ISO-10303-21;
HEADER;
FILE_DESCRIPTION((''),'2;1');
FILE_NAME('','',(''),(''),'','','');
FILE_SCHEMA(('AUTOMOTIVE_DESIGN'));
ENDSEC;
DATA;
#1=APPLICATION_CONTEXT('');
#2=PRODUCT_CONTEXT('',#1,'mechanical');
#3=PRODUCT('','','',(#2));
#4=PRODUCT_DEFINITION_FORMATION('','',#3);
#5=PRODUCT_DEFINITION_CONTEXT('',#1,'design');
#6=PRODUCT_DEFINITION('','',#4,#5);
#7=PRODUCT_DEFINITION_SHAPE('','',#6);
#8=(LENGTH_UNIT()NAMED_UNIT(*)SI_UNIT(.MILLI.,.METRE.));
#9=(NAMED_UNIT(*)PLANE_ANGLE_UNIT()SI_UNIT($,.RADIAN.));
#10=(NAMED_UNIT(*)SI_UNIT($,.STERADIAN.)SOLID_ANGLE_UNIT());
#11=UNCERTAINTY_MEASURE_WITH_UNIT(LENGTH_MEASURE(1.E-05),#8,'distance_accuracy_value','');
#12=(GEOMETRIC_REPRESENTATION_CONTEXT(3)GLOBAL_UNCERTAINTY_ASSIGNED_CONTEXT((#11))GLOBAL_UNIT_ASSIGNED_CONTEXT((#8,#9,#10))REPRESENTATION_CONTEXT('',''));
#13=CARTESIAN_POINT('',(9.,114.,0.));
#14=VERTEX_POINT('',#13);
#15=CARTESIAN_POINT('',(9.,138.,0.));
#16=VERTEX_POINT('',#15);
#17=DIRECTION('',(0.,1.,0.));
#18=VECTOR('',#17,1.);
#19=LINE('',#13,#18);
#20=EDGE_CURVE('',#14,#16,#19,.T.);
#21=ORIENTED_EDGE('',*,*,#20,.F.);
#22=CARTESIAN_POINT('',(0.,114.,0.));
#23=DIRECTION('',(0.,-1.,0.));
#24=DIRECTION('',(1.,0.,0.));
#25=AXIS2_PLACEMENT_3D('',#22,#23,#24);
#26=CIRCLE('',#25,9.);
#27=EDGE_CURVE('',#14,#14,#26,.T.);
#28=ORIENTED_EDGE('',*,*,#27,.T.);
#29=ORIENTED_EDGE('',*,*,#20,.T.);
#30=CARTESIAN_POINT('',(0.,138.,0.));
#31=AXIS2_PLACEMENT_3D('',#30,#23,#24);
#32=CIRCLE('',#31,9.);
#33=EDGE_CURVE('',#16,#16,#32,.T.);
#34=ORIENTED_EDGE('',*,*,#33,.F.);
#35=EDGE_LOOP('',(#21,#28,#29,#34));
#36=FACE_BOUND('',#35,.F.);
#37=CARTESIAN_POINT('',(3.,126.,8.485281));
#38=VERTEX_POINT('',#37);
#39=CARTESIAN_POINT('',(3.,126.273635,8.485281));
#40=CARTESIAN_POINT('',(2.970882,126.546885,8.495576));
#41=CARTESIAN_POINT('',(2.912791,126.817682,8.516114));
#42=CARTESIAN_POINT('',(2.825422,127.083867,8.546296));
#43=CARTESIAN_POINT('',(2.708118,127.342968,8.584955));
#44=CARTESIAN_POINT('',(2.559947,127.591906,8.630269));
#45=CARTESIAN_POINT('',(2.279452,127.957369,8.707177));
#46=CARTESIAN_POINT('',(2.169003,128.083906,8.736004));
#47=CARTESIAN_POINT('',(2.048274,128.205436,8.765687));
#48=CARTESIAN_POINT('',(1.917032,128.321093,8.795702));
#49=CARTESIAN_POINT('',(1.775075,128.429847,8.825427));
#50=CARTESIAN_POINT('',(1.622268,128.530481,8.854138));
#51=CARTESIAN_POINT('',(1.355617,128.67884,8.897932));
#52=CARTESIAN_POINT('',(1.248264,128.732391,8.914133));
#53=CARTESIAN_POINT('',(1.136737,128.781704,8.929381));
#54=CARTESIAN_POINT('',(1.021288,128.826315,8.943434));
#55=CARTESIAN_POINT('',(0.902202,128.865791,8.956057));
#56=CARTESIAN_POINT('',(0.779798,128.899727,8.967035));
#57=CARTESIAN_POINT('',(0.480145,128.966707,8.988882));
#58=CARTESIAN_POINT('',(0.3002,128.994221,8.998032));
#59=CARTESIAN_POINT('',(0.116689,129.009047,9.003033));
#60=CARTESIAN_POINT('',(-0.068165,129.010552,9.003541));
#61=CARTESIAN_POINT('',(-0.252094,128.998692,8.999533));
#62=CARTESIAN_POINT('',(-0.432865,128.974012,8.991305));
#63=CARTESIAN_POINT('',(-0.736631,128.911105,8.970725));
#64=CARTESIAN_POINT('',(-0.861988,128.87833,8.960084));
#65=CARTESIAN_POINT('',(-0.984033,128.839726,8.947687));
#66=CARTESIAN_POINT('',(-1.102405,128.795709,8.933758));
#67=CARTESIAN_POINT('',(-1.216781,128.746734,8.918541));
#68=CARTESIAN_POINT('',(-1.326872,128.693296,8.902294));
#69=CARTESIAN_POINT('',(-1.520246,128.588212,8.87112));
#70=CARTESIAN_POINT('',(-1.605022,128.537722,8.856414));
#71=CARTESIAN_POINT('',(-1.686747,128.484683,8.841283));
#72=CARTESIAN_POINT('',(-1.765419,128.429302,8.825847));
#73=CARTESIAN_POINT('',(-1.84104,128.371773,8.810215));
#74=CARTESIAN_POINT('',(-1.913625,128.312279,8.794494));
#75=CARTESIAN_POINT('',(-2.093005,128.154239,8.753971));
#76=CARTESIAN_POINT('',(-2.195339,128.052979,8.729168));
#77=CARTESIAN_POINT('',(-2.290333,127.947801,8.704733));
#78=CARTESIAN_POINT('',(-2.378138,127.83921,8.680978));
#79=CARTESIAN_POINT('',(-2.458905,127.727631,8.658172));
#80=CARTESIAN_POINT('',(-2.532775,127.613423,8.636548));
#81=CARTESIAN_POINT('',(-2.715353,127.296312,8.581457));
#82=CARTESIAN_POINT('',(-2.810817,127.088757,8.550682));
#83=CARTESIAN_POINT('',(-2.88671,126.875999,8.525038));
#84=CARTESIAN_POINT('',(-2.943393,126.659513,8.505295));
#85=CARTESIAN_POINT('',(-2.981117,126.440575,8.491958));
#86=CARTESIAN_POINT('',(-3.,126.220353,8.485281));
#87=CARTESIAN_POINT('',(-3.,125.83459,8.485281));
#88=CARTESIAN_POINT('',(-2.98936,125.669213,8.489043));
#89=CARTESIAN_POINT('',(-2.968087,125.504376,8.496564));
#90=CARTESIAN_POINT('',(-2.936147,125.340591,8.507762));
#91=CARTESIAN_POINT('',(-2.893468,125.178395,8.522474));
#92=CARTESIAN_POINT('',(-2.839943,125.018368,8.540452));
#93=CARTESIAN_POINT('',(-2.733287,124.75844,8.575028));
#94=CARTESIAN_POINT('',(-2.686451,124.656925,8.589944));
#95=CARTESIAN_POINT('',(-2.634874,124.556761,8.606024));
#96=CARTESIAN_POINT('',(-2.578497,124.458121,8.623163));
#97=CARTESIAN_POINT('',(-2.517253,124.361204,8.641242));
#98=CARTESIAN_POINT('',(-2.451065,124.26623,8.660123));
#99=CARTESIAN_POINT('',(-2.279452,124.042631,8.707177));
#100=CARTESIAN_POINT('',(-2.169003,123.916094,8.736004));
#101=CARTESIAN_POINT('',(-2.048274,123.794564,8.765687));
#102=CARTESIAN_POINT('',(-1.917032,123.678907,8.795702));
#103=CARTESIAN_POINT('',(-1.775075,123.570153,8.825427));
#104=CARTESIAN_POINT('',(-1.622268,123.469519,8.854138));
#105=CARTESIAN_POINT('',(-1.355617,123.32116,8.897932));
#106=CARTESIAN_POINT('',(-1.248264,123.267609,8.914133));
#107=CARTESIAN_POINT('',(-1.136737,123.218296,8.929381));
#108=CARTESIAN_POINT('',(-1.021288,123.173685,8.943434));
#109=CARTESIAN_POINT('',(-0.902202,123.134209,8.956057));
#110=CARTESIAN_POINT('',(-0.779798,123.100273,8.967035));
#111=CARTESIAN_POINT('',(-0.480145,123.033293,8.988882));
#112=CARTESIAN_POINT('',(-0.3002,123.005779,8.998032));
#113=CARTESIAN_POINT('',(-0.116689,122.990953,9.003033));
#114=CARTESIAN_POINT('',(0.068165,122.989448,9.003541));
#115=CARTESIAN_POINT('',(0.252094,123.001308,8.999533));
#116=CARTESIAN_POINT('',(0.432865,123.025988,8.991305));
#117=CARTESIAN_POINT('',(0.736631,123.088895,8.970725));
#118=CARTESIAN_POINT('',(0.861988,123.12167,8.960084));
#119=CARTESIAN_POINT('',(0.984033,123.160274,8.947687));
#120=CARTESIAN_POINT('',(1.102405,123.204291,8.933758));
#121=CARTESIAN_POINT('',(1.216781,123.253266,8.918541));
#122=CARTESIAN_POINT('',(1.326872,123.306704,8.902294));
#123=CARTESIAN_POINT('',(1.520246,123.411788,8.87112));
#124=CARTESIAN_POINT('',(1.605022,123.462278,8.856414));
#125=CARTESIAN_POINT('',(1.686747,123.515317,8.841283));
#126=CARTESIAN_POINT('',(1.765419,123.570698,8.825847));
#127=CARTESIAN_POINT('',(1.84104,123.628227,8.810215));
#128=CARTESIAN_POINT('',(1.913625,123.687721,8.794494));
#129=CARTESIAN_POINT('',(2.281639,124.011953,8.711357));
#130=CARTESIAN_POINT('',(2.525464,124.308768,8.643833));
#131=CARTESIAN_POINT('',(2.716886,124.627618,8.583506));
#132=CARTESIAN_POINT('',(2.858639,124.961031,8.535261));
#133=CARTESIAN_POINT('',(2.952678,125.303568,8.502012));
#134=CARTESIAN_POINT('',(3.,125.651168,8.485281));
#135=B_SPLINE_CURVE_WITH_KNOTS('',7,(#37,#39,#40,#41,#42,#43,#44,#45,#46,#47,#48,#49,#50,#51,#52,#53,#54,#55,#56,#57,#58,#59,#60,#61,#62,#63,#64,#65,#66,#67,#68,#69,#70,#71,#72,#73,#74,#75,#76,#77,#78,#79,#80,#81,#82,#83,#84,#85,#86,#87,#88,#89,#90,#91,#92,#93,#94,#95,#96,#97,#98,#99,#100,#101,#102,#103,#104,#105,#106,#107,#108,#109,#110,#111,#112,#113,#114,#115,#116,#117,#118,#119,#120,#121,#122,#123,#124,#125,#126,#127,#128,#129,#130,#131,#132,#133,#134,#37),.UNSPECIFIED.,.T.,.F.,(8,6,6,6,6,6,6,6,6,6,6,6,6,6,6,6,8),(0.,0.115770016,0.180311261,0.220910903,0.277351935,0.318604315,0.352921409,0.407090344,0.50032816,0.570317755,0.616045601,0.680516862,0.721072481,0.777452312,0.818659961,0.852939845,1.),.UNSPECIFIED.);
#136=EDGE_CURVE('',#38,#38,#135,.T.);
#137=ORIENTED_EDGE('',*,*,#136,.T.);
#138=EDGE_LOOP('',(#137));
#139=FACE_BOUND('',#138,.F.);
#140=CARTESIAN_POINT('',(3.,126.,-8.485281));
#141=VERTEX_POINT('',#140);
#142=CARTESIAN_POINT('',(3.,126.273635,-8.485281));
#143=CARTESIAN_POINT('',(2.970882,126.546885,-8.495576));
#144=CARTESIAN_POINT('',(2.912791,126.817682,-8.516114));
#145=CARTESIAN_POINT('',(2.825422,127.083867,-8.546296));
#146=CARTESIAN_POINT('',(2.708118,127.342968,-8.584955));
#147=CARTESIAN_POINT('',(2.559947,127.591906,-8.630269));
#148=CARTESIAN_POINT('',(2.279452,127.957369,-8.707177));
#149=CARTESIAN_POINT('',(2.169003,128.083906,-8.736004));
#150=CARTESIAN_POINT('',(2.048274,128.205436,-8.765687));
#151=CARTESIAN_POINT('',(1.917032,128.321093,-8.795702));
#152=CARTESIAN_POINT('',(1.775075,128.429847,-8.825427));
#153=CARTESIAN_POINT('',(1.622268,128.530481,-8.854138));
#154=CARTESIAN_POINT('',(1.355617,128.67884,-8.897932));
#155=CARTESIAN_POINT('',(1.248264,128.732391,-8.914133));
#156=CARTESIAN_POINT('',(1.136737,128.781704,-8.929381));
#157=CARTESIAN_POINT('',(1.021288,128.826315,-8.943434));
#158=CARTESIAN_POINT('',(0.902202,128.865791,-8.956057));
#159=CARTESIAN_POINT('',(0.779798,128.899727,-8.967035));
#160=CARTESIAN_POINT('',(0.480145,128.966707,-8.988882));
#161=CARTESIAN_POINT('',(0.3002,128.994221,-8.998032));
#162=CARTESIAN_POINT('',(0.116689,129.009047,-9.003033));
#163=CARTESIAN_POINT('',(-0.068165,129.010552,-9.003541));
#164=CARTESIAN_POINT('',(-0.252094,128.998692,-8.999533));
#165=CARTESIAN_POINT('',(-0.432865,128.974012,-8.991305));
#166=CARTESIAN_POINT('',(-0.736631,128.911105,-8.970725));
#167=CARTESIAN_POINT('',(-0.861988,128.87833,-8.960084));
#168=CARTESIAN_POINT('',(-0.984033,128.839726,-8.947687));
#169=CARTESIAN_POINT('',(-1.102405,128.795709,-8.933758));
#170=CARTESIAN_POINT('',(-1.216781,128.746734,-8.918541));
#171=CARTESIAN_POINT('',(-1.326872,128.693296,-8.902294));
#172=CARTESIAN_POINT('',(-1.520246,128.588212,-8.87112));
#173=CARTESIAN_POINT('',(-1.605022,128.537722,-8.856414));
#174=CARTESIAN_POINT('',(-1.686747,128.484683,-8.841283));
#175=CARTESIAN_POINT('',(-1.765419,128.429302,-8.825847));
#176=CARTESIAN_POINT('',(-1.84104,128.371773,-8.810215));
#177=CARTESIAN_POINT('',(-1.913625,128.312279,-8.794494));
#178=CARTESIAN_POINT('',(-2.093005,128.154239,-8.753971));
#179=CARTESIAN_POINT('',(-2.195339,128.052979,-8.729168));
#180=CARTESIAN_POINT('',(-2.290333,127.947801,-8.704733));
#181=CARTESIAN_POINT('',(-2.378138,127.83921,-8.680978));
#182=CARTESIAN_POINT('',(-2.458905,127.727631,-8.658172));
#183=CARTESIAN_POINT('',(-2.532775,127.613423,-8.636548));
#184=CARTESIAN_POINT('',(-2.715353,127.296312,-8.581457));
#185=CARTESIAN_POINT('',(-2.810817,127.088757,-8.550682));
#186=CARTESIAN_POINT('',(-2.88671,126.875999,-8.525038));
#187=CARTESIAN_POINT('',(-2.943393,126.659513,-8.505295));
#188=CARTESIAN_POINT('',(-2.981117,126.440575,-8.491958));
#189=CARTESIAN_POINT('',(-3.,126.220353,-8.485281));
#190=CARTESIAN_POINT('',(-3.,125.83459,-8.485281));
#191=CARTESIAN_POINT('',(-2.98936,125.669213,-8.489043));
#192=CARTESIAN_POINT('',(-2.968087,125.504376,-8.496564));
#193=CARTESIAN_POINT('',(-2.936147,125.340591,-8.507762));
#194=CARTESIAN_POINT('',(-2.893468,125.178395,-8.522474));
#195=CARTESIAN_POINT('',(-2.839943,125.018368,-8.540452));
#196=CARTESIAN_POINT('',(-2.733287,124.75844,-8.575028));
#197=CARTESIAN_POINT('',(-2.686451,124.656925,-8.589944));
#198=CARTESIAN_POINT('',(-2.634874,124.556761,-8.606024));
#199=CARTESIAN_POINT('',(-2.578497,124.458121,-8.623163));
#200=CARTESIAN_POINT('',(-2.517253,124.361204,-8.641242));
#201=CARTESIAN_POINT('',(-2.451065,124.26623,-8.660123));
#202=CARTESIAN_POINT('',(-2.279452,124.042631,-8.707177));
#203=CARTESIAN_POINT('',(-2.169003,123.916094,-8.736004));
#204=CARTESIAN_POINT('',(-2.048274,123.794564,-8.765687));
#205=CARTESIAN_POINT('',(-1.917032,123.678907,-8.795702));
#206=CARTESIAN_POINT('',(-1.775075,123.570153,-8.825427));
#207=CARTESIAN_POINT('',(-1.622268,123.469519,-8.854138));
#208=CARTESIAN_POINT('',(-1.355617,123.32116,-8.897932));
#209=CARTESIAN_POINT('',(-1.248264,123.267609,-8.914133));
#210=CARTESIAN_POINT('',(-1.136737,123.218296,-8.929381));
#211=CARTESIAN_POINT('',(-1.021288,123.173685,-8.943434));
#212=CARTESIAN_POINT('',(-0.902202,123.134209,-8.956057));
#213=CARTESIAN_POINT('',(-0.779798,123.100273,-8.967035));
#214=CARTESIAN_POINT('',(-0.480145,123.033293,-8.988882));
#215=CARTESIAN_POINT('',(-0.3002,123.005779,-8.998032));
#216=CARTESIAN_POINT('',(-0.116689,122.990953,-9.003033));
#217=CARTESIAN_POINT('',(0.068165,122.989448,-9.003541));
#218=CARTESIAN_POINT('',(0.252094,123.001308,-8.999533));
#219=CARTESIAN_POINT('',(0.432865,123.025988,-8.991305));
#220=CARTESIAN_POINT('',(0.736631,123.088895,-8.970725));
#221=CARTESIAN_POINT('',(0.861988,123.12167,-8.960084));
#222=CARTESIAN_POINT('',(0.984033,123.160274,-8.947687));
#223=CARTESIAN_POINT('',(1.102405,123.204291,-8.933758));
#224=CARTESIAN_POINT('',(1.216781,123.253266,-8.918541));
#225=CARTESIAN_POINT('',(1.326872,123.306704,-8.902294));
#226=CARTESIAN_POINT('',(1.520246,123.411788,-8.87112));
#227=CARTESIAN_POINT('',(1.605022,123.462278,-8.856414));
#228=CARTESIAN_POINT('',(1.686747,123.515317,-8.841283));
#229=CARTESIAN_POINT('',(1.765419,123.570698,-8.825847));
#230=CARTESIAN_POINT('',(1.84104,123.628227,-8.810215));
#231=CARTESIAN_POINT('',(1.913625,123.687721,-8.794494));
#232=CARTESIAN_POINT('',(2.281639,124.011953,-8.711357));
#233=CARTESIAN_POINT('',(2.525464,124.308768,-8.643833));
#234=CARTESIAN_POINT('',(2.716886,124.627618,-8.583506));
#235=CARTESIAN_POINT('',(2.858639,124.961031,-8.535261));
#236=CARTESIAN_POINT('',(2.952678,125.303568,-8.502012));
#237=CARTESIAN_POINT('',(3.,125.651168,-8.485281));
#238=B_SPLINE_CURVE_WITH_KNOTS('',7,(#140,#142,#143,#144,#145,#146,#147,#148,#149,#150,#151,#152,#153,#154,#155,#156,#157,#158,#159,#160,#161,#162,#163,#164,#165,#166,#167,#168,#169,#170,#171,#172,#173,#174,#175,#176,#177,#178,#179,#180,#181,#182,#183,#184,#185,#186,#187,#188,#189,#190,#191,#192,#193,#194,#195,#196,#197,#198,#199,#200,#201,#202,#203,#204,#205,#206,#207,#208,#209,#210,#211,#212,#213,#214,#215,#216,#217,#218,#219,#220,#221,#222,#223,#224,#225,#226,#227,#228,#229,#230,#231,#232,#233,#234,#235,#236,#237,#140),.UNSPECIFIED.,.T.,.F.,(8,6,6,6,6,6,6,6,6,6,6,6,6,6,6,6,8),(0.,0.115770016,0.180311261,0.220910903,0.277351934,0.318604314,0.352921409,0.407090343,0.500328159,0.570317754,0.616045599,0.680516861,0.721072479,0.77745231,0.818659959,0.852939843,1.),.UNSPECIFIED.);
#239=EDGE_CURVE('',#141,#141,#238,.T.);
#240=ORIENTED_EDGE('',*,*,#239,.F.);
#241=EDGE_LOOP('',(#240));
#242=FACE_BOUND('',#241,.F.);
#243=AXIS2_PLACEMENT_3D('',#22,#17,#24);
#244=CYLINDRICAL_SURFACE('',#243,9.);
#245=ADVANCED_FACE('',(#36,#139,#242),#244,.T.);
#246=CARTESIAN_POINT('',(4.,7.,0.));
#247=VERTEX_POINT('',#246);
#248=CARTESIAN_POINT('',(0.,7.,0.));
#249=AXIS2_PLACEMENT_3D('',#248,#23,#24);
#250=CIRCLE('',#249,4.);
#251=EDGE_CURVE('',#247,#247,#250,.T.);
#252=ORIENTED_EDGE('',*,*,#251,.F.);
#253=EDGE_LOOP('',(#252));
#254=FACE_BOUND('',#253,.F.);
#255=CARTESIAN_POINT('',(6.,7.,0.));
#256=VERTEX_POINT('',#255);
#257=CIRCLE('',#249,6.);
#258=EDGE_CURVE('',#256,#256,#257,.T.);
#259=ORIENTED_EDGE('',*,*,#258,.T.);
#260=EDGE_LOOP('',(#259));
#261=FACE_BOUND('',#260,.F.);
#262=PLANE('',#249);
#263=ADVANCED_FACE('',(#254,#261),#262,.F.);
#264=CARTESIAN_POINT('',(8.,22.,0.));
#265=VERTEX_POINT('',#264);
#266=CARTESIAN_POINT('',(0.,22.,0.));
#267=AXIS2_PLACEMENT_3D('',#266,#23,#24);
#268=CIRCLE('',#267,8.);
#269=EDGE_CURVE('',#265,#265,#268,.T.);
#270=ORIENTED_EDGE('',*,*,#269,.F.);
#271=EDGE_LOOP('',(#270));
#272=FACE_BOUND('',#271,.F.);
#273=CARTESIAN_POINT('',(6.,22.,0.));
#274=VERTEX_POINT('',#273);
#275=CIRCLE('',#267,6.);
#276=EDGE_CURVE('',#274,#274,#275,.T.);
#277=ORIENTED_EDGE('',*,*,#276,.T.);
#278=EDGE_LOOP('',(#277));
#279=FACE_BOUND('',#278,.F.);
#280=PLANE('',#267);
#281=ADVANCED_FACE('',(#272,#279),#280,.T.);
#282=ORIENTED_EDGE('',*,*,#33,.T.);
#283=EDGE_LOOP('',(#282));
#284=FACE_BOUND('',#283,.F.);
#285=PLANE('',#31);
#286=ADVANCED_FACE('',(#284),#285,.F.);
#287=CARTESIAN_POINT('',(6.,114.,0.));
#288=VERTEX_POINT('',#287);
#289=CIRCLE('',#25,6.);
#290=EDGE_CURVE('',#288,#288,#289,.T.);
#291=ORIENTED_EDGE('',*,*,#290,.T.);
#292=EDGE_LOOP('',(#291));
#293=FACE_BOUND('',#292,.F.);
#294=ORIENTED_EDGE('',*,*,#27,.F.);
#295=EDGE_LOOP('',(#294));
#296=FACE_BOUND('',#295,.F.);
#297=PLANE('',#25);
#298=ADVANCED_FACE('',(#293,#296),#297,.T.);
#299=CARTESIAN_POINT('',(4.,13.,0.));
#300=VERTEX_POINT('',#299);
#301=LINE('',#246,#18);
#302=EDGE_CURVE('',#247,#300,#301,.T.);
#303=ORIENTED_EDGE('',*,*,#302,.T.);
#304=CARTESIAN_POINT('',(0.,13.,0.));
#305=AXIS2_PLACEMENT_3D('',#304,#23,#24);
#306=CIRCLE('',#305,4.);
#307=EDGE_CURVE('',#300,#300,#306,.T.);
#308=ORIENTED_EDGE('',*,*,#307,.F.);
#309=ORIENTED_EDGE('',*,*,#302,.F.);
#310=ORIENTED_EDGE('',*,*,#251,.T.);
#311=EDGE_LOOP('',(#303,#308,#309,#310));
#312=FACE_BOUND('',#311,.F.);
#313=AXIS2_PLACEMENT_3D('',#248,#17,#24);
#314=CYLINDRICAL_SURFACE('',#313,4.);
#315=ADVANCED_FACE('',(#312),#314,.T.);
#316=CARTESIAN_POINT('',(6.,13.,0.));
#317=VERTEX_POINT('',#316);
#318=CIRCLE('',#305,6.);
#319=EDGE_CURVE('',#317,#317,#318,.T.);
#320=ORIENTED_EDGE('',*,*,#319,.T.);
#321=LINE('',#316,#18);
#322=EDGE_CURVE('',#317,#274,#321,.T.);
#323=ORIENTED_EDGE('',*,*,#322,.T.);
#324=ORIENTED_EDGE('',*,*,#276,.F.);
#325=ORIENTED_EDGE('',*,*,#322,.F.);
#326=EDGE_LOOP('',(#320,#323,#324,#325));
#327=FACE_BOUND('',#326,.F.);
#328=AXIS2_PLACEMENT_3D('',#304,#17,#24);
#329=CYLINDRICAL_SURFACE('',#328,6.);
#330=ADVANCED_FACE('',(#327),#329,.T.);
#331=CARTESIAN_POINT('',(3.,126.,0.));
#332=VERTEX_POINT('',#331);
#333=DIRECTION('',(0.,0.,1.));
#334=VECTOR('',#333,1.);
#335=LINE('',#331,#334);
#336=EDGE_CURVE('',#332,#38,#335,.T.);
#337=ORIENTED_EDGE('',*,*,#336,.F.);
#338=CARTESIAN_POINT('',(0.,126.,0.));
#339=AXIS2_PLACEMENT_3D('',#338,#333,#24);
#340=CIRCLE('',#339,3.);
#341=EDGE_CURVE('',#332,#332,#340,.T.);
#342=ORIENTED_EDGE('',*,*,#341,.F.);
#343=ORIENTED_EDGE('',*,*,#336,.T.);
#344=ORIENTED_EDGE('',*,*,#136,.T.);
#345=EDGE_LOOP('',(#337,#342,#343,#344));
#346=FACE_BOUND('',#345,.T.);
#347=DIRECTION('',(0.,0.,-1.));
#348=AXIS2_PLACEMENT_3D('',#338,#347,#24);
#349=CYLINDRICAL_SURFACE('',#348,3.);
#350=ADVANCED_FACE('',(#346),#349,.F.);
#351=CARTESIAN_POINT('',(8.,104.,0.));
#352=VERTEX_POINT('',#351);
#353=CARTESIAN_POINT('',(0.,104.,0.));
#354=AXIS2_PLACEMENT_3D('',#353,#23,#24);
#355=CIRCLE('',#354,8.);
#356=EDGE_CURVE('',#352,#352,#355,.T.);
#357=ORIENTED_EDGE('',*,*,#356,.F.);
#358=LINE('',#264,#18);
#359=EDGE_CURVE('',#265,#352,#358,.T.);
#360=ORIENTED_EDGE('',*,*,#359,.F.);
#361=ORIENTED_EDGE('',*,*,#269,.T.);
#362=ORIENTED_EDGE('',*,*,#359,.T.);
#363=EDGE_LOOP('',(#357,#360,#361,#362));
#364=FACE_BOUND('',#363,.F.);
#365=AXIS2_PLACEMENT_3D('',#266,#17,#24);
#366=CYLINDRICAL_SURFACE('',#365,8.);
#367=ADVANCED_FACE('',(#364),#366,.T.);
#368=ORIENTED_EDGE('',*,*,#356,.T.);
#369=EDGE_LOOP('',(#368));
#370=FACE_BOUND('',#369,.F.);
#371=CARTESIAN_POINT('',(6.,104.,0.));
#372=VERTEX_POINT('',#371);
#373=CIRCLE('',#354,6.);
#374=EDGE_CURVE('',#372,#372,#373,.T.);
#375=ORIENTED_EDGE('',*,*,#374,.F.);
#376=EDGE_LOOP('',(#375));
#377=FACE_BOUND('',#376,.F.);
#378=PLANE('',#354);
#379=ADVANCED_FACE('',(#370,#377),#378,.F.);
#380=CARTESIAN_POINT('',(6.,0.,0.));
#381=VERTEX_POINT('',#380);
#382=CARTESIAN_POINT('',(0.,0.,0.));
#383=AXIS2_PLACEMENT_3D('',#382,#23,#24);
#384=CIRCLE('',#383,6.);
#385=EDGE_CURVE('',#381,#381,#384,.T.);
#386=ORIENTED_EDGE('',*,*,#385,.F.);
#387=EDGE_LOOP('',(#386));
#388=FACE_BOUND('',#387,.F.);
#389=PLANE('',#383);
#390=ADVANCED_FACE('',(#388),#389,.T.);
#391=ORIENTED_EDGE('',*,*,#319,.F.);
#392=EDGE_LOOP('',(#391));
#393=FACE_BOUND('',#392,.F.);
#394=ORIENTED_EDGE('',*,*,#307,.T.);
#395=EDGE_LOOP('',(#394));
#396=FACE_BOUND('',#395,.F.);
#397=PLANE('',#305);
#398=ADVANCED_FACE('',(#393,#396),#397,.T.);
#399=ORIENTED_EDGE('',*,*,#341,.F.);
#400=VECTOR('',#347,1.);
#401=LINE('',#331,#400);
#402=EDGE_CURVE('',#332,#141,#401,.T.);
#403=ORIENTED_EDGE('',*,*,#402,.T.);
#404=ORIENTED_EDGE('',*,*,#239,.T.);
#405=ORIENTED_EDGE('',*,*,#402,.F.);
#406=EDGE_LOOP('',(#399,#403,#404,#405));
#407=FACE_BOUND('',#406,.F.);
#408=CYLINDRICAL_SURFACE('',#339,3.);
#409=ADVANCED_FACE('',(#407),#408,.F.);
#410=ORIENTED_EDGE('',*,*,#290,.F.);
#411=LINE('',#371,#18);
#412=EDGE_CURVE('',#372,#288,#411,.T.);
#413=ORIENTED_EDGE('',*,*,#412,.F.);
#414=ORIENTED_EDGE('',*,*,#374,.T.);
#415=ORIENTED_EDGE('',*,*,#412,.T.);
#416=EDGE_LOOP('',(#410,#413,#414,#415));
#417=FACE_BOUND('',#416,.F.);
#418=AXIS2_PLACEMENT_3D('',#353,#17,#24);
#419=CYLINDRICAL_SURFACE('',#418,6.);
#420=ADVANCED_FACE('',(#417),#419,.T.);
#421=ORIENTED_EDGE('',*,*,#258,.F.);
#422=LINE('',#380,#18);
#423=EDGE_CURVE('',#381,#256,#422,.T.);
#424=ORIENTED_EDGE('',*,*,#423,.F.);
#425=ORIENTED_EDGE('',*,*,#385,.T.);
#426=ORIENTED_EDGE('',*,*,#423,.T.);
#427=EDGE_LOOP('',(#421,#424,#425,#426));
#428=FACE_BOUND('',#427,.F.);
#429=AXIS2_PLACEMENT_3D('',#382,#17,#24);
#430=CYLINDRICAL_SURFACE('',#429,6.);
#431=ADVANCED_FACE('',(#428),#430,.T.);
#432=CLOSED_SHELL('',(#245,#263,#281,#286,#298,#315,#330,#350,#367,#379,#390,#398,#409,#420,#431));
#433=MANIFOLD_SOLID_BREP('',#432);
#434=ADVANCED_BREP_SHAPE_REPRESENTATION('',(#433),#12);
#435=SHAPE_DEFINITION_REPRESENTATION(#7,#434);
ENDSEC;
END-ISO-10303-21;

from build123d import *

# Parameters (mm, degrees)
SKETCH3_R               = 3
CUT_EXTRUDE1_DEPTH      = 10
CUT_EXTRUDE1_DEPTH_BACK = 10


with BuildPart() as part:
    # Sketch2 → Revolve1 (revolve)
    with BuildSketch(Plane.XY):
        Polygon((0, 0), (6, 0), (6, 7), (4, 7), (4, 13), (6, 13), (6, 22), (8, 22), (8, 104), (6, 104), (6, 114), (9, 114), (9, 138), (0, 138), align=None)
    revolve(axis=Axis((0, 138, 0), (0, -1, 0)))

    # Sketch3 → Cut-Extrude1 (cut, two sides)
    with BuildSketch(Plane.XY) as cut_extrude1_sk:
        with Locations((0, 126)):
            Circle(SKETCH3_R)
    extrude(amount=CUT_EXTRUDE1_DEPTH, mode=Mode.SUBTRACT)
    extrude(cut_extrude1_sk.sketch, amount=-CUT_EXTRUDE1_DEPTH_BACK, mode=Mode.SUBTRACT)


solid = part.part
